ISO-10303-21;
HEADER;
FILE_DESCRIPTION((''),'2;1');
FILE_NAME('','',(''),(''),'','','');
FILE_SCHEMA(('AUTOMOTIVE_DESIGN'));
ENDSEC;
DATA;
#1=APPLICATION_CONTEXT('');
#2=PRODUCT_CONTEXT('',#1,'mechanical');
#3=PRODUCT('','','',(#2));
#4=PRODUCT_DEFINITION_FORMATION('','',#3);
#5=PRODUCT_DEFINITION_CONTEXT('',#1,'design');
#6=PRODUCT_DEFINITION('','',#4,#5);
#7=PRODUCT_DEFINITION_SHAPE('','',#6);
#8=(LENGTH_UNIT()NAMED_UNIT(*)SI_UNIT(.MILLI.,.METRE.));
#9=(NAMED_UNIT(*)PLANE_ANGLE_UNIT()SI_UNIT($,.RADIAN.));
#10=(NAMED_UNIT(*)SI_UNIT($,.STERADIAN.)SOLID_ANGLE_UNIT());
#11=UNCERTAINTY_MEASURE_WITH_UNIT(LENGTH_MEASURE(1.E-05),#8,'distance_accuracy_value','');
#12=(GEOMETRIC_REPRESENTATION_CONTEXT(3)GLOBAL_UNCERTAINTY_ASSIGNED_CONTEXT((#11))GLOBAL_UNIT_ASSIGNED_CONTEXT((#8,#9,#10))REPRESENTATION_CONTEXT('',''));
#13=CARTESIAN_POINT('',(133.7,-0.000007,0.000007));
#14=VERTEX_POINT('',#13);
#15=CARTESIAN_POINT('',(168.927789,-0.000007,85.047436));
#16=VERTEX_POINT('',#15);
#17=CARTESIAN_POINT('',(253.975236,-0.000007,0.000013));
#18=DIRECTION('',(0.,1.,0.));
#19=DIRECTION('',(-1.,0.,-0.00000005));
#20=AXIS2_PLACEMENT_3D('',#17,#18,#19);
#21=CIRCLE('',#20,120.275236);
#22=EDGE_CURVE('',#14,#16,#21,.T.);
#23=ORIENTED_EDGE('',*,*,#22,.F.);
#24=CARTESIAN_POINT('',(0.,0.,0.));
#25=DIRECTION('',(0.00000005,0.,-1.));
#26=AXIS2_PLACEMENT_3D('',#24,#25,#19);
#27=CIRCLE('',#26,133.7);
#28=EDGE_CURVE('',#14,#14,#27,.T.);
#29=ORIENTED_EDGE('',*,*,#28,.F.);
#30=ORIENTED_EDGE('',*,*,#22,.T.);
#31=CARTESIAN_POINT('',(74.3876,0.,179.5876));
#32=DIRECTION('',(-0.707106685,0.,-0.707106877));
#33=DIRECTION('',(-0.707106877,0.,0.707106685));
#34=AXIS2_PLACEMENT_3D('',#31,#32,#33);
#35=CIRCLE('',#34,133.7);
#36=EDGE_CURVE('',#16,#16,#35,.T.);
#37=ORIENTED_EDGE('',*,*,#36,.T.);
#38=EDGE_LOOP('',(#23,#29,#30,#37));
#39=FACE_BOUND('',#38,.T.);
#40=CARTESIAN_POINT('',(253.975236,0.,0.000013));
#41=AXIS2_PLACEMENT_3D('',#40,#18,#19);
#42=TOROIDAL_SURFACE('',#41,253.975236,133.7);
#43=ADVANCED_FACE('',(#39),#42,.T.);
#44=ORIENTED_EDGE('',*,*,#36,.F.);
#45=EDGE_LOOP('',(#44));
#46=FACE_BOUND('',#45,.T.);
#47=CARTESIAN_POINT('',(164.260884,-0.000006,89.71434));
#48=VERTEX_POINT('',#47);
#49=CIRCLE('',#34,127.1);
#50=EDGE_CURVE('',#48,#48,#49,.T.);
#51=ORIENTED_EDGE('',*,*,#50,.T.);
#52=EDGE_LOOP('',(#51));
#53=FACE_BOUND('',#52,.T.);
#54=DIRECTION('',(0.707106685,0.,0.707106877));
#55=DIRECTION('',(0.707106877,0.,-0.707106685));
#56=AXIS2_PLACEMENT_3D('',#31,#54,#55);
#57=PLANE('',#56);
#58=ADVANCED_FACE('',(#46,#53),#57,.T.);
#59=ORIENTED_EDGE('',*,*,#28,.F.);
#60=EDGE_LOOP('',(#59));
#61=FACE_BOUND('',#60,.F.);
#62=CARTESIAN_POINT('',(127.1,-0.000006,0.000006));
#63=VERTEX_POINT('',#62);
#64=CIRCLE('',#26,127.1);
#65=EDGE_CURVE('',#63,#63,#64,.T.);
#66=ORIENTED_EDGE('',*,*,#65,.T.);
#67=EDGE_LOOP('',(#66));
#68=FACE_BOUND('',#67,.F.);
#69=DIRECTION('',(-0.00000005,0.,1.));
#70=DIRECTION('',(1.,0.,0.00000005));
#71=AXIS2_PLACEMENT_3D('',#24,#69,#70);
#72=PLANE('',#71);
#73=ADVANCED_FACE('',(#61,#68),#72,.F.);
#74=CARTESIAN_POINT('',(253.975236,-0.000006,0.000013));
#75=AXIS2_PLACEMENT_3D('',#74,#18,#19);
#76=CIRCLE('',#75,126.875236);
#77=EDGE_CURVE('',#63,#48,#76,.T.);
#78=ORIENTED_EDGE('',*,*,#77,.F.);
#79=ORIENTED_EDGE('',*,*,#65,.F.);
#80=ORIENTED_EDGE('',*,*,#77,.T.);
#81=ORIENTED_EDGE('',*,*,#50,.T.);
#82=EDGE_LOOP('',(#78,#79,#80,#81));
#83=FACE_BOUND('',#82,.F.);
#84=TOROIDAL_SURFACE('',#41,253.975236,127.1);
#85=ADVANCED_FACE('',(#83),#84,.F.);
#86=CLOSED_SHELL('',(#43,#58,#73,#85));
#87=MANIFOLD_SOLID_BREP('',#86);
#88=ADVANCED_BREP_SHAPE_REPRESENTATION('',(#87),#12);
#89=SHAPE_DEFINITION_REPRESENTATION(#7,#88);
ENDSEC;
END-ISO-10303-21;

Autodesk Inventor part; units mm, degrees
ref_plane "YZ Plane" through (0, 0, 0) normal (1, 0, 0) x (0, 1, 0)
ref_plane "XZ Plane" through (0, 0, 0) normal (0, 1, 0) x (-1, 0, 0)
ref_plane "XY Plane" through (0, 0, 0) normal (0, 0, 1) x (1, 0, 0)
sketch "Sketch1" plane through (0, 0, 0) normal (0, 0, 1) x (1, 0, 0)
  circle A0 centre (0, 0) radius 127.1
  circle A1 centre (0, 0) radius 133.7
  dimension "d0" = 254.2
  dimension "d1" = 267.4
sketch "Sketch2" plane through (0, 0, 0) normal (0, 1, 0) x (-1, 0, 0)
  line L0 (0, 0) -> (0, 105.2) construction
  line L1 (0, 105.2) -> (-74.3876, 179.5876) construction
  arc A0 (0, 0) -> (-74.3876, 179.5876) centre (-253.9753, 0) ccw
  dimension "d2" = 105.2
  dimension "d3" = 45
  dimension "d4" = 105.2
sweep "Sweep1" add profiles "Sketch1" path "Sketch2"
equation "\"d0\" = D - 2 * T"
equation "\"d1\" = D"
equation "\"d2\" = H"
equation "\"d4\" = H"
equation "\"D\" = 267.4"
equation "\"H\" = 105.2"
equation "\"T\" = 6.6"
equation "\"Size_Designation\" = 1.2345"
properties part number "JIS B 2311 45 Deg Short Elbow Steel - 250A" material "Steel"
